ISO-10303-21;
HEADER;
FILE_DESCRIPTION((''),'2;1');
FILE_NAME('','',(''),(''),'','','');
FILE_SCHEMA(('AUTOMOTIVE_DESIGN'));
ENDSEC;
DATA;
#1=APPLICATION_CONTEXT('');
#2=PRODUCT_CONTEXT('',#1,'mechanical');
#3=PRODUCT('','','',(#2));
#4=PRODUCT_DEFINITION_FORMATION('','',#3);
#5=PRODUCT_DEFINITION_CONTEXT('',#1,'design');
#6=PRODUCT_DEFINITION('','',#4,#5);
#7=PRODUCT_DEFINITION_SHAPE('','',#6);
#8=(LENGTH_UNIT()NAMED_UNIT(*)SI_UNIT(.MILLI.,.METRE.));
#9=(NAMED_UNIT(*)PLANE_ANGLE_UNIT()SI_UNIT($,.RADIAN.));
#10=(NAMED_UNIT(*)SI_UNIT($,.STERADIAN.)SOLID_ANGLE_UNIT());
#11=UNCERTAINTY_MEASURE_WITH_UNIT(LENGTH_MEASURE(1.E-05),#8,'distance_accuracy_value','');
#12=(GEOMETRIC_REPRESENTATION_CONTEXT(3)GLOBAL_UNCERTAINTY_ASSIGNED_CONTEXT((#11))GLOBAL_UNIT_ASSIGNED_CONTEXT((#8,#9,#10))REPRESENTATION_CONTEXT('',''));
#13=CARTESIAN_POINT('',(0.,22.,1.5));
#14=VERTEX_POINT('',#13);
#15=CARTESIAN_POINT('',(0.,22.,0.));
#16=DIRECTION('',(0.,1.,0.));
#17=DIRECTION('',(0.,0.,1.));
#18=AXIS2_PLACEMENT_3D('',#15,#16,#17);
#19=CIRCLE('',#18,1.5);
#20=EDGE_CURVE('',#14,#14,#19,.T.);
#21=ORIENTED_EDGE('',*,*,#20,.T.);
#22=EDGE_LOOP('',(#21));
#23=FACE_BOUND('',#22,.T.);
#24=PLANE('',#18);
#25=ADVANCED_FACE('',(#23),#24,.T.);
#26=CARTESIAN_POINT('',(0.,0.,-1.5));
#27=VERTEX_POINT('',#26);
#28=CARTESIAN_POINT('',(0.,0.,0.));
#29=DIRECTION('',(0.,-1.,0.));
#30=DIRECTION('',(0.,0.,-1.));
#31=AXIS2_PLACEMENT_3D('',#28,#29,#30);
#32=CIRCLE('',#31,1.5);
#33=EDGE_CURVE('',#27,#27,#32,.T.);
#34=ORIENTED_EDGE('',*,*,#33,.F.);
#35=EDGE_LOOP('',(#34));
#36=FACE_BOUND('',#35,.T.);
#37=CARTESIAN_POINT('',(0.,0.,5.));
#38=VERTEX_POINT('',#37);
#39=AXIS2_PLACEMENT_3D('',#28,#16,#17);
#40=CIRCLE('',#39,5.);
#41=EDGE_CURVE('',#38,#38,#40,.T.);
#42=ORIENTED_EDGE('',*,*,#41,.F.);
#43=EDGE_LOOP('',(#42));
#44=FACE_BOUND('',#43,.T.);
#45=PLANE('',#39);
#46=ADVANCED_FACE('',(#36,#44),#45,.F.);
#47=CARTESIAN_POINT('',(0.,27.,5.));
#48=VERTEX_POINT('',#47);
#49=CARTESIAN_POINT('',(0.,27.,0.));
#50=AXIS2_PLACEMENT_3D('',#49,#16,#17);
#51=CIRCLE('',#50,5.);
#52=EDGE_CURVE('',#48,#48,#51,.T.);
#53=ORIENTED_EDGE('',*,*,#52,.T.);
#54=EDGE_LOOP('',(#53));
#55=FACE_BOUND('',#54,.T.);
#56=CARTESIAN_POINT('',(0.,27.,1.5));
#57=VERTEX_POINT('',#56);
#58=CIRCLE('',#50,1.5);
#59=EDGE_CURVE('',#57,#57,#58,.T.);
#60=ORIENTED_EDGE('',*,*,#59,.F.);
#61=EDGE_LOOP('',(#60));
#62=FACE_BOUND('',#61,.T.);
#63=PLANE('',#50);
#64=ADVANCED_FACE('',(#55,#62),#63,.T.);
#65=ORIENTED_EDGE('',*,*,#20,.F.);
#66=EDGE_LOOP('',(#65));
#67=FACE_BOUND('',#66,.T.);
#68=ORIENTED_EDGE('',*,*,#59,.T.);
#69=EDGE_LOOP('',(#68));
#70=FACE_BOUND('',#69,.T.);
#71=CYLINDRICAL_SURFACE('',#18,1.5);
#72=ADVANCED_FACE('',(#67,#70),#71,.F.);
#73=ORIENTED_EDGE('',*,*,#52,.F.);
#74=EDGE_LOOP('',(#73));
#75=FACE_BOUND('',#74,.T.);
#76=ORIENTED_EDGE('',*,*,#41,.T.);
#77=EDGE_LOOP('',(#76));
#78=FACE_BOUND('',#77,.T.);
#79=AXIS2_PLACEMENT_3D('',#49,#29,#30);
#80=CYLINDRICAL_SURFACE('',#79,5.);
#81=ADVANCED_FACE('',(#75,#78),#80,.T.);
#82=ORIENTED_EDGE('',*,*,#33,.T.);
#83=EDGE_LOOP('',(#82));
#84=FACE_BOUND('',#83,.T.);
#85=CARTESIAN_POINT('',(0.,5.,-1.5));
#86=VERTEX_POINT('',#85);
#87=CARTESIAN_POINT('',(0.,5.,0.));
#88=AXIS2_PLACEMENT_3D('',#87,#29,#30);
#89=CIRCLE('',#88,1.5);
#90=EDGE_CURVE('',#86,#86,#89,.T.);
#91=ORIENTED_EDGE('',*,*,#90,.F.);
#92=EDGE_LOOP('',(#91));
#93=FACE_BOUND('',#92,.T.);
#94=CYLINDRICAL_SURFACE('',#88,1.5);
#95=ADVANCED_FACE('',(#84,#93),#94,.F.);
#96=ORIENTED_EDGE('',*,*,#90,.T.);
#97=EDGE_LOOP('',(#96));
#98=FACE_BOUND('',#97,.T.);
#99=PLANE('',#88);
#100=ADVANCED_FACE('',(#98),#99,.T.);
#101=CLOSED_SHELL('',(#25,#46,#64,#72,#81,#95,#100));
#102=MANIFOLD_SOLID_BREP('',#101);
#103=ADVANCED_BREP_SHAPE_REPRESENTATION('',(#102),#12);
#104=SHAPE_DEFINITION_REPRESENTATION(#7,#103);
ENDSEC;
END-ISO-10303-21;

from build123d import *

# Parameters (mm, degrees)
CROQUIS1_R              = 5
SALIENTE_EXTRUIR1_DEPTH = 27
CROQUIS2_R              = 1.5
CORTAR_EXTRUIR1_DEPTH   = 5
CROQUIS4_R              = 1.5
CORTAR_EXTRUIR2_DEPTH   = 5


with BuildPart() as part:
    # Croquis1 → Saliente-Extruir1 (new body)
    with BuildSketch(Plane(origin=(0, 0, 0), x_dir=(1, 0, 0), z_dir=(0, 1, 0))):
        Circle(CROQUIS1_R)
    extrude(amount=SALIENTE_EXTRUIR1_DEPTH)

    # Croquis2 → Cortar-Extruir1 (cut)
    with BuildSketch(Plane(origin=(0, 27, 0), x_dir=(1, 0, 0), z_dir=(0, 1, 0))):
        Circle(CROQUIS2_R)
    extrude(amount=-CORTAR_EXTRUIR1_DEPTH, mode=Mode.SUBTRACT)

    # Croquis4 → Cortar-Extruir2 (cut)
    with BuildSketch(Plane.XZ):
        Circle(CROQUIS4_R)
    extrude(amount=-CORTAR_EXTRUIR2_DEPTH, mode=Mode.SUBTRACT)


solid = part.part
